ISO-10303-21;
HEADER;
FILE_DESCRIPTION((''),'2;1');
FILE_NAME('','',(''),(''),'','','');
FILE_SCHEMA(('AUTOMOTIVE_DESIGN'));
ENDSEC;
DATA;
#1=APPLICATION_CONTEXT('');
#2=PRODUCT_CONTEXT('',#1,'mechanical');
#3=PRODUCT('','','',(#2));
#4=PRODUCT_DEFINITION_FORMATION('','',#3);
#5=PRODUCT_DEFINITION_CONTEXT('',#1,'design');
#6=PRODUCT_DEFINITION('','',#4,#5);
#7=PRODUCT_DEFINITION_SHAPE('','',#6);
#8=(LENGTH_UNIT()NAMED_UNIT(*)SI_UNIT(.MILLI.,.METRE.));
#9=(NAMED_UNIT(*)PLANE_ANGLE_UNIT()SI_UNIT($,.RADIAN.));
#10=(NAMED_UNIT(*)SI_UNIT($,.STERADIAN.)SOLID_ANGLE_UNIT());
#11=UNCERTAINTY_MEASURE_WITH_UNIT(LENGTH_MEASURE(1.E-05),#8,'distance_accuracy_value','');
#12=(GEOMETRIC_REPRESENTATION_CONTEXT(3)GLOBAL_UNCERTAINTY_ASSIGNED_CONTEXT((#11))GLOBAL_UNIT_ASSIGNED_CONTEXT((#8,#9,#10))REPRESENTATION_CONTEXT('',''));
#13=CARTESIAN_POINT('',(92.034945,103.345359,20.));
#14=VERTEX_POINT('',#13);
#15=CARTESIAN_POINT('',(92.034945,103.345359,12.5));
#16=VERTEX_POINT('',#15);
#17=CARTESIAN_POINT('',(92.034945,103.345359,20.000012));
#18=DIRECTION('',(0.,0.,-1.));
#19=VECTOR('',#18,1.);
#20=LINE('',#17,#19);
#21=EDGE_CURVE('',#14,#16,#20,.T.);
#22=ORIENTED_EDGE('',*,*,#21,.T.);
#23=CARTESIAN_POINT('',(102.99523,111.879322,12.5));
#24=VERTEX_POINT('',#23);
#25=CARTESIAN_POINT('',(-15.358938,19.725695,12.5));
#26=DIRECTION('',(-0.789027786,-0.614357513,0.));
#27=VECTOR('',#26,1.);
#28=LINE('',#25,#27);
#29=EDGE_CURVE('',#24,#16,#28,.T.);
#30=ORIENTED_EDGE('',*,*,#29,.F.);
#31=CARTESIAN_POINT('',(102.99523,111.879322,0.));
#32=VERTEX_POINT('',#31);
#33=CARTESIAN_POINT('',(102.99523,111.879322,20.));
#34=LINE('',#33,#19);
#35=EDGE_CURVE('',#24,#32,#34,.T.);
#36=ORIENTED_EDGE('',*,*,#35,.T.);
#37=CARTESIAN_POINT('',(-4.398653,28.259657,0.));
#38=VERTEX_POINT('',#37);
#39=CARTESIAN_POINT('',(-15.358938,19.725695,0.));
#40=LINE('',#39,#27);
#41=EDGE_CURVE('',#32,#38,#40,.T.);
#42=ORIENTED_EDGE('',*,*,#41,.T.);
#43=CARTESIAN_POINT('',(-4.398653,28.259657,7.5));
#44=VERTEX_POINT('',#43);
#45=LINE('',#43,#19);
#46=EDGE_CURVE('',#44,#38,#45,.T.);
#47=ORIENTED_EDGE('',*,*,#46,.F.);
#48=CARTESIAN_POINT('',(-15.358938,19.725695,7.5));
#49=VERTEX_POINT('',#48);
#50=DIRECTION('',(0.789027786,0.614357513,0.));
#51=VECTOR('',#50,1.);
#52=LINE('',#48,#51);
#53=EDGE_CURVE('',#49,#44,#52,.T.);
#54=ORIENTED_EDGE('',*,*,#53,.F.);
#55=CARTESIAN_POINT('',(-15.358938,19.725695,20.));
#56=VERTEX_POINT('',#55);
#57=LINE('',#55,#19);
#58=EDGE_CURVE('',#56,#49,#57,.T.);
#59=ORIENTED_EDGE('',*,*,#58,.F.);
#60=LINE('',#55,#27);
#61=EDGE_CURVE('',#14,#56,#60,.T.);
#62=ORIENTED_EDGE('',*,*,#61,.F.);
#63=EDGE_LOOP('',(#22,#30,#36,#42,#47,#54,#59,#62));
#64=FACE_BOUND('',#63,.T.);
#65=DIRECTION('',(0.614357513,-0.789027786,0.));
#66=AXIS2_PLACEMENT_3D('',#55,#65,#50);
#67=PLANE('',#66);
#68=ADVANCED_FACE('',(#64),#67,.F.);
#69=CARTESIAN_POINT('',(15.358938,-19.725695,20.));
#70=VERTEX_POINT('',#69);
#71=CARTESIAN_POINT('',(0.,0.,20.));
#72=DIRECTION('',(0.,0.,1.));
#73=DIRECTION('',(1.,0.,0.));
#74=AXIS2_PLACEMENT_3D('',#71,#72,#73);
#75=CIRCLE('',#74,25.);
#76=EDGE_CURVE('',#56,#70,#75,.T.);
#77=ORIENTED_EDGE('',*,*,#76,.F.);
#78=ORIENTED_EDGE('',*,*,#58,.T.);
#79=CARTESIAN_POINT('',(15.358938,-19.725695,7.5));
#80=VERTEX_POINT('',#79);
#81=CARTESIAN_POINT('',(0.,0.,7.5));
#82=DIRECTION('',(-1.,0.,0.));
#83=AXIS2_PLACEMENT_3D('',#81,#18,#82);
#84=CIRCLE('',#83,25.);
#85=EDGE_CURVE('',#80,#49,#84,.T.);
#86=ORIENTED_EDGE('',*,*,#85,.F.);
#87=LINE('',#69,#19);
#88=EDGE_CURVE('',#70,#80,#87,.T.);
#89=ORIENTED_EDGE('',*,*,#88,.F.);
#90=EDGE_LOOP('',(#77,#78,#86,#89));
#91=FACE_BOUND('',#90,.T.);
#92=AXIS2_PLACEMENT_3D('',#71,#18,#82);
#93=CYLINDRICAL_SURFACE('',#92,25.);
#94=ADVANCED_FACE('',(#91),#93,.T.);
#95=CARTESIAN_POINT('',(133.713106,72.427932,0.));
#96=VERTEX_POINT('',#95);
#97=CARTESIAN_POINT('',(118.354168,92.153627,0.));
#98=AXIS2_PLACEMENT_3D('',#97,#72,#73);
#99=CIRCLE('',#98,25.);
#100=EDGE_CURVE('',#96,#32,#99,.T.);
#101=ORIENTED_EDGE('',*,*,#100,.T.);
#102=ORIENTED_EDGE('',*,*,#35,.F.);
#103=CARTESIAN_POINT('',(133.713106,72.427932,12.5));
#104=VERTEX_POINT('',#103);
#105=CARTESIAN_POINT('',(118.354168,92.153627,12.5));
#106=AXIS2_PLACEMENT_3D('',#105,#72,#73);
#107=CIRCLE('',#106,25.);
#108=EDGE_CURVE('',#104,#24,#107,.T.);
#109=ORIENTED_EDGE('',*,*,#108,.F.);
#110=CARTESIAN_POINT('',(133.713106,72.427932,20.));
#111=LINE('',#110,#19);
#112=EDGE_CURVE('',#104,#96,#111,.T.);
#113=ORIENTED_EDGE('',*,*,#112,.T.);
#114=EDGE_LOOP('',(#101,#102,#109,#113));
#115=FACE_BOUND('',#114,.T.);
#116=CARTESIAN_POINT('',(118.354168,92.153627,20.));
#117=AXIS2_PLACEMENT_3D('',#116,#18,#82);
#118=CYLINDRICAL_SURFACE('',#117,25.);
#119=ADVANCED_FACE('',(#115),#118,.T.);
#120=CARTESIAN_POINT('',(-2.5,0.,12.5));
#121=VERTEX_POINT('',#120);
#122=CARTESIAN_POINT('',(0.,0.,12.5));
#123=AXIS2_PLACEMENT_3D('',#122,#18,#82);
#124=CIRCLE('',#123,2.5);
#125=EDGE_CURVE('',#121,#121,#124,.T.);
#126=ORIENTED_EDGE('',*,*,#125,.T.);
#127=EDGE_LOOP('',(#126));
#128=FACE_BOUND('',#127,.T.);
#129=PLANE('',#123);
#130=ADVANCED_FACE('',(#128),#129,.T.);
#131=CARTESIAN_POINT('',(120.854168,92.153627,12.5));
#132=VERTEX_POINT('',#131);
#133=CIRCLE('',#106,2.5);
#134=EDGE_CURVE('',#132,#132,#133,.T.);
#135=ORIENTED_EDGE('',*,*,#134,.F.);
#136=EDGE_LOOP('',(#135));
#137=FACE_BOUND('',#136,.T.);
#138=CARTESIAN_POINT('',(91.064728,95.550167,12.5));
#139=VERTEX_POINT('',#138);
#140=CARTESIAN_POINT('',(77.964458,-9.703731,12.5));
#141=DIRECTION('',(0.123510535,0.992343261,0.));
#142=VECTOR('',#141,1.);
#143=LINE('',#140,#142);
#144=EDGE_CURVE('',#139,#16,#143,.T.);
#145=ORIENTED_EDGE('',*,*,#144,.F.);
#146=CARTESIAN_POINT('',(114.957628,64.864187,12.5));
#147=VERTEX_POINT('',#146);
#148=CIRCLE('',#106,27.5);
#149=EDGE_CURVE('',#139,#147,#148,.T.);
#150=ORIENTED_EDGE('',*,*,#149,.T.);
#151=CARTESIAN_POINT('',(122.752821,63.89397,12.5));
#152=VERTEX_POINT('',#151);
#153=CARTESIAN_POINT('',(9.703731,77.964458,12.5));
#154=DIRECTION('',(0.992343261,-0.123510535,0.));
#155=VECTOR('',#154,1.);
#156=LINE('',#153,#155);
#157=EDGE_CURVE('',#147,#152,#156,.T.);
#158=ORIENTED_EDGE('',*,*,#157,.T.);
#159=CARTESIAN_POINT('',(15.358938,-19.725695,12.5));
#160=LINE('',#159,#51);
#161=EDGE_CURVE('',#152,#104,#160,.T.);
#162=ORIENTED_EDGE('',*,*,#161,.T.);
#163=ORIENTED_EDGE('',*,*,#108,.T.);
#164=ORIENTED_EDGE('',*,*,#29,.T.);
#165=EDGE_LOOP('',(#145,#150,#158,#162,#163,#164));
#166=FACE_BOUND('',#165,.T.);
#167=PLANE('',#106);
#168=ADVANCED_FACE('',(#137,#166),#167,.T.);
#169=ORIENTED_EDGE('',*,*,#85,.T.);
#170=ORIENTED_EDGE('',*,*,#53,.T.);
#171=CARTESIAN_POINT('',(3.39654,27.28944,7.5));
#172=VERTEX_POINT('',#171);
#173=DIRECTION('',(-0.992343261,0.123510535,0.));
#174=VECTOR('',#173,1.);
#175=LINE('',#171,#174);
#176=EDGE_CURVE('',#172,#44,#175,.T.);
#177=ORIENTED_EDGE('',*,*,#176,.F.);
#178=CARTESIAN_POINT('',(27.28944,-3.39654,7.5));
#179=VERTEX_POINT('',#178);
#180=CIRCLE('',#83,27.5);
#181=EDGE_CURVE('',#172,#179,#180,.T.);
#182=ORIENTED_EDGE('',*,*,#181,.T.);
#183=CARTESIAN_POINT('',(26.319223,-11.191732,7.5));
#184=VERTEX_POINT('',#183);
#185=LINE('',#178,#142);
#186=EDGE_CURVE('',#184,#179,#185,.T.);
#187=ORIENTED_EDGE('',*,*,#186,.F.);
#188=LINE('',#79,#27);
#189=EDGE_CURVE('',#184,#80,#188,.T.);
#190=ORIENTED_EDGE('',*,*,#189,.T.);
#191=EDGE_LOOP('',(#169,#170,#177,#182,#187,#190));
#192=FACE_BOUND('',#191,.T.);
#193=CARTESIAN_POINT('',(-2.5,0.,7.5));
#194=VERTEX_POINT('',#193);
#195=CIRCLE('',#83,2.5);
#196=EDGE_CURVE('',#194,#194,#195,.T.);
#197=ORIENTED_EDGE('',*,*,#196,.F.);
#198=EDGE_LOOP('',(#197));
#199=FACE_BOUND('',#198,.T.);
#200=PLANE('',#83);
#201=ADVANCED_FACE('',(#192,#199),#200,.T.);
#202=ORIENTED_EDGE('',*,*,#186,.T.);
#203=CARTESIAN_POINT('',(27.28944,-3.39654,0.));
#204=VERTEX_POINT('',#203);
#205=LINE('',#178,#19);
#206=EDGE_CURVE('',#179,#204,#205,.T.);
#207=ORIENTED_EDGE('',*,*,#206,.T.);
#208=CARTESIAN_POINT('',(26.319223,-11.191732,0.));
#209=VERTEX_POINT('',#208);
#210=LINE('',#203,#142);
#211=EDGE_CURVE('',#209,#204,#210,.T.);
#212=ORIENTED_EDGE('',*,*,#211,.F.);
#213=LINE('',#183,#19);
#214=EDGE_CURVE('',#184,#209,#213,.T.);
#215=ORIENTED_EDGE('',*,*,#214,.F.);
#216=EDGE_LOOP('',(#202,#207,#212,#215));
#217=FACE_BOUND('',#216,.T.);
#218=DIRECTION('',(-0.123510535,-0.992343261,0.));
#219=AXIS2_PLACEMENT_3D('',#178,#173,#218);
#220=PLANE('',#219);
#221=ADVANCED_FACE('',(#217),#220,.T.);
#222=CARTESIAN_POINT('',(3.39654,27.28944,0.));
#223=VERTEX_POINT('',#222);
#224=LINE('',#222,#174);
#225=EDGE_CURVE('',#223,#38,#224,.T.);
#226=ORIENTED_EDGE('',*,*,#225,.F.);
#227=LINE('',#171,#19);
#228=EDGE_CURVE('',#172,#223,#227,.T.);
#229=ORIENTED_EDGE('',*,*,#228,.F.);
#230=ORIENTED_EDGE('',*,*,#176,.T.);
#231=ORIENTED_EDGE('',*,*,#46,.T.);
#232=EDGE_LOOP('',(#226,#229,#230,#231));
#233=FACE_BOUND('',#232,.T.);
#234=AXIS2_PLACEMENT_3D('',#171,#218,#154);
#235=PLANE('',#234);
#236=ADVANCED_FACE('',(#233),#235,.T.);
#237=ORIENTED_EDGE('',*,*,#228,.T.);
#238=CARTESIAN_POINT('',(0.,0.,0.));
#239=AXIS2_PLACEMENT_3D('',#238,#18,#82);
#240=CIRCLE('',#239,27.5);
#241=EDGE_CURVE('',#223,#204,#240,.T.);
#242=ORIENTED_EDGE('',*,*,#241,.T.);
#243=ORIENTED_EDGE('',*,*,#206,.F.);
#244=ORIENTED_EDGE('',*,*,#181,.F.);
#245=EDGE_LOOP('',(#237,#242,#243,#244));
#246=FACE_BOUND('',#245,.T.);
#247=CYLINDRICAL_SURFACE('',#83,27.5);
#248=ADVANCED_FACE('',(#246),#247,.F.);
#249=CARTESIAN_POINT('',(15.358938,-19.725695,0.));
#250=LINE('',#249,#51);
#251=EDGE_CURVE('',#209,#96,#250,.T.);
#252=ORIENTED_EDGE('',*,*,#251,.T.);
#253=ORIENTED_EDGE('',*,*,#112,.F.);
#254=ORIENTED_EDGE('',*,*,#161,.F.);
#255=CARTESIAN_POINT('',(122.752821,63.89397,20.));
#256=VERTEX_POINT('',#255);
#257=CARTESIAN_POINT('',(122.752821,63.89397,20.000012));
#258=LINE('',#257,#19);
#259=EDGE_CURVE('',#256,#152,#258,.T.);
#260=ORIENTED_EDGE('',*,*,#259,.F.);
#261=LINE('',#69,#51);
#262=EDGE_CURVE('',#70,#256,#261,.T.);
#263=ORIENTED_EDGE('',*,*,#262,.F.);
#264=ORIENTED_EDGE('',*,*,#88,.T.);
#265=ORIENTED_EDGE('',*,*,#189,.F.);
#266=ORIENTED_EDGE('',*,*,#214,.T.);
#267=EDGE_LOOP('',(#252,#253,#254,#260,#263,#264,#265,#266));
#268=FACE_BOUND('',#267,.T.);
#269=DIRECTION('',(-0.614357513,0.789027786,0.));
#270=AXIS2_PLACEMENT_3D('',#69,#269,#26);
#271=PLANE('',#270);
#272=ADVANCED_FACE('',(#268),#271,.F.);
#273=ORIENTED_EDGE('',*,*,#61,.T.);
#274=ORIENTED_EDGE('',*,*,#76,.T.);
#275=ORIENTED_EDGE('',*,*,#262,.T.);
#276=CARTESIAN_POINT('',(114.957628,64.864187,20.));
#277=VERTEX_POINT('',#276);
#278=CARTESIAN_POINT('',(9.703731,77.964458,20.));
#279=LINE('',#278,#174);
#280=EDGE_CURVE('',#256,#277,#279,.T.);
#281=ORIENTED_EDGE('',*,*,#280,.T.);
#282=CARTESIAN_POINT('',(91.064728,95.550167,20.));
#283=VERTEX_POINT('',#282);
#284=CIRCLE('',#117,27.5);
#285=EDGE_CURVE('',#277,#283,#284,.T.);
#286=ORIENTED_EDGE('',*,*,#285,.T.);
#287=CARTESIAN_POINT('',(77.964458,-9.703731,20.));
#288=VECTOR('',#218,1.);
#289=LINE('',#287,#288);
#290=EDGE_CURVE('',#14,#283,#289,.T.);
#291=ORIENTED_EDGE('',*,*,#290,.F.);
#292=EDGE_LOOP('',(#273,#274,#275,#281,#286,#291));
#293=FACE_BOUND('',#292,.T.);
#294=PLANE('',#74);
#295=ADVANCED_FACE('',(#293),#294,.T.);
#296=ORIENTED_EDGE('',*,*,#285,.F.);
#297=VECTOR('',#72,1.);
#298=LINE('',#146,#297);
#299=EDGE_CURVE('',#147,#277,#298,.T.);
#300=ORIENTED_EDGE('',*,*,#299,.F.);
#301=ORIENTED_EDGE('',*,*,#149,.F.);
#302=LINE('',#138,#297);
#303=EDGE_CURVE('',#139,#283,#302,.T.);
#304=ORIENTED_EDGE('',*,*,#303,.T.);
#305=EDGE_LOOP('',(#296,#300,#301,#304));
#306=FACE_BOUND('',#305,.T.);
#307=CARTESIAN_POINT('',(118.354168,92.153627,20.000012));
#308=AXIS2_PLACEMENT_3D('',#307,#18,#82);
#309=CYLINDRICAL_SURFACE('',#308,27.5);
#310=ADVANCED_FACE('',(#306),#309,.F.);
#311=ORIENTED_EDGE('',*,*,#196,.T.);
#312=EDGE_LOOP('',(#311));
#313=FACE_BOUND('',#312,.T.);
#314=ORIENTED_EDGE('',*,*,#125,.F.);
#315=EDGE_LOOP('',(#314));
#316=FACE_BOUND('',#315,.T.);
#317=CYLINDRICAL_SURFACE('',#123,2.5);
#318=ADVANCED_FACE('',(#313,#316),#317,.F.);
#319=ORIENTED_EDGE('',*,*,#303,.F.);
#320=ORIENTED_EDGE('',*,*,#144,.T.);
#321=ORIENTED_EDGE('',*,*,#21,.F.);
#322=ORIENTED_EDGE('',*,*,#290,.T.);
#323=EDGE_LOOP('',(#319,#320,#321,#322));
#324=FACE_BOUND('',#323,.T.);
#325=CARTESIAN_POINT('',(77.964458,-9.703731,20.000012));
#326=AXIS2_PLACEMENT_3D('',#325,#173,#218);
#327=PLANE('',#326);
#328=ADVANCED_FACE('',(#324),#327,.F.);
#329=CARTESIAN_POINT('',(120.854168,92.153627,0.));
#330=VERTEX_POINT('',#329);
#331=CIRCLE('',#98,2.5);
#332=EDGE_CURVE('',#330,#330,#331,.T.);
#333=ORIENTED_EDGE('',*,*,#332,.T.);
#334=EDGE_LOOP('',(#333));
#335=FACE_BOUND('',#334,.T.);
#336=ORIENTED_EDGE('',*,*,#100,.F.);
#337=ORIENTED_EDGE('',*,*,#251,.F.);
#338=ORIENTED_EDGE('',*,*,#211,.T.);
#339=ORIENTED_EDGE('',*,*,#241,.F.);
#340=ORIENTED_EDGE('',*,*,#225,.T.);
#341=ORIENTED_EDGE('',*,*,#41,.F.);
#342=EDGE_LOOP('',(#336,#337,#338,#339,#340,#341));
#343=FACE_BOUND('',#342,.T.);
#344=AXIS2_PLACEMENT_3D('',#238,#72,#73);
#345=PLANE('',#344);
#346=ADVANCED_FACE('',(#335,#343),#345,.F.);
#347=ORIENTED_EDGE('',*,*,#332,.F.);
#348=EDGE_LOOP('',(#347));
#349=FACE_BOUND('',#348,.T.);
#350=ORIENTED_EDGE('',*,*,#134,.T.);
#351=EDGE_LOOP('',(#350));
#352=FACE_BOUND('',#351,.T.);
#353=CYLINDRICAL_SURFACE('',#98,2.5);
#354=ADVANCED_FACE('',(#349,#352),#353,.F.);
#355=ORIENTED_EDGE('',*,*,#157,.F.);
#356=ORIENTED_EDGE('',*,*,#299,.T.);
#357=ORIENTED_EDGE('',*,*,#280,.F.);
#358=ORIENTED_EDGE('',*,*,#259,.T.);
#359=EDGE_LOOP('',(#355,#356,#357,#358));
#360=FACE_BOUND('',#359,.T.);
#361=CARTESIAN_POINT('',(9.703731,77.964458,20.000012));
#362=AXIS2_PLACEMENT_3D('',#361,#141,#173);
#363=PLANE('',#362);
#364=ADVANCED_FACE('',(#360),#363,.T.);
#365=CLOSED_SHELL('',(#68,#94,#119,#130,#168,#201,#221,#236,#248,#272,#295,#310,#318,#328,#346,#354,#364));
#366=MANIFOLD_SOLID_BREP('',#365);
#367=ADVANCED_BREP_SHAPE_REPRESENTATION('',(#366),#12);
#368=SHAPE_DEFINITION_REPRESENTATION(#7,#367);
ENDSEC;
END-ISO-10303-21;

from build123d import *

# Parameters (mm, degrees)
BOSS_EXTRUDE1_DEPTH     = 20
CUT_EXTRUDE1_DEPTH      = 7.5
SKETCH3_R               = 2.5
CUT_EXTRUDE2_DEPTH      = 5
CUT_EXTRUDE3_START      = -7.5
SKETCH4_R               = 25
CUT_EXTRUDE3_DEPTH      = 7.5
CUT_EXTRUDE4_DEPTH      = 7.5
CUT_EXTRUDE5_DEPTH      = 187.21329098
CUT_EXTRUDE5_DEPTH_BACK = 7.5
SKETCH7_R               = 2.5
CUT_EXTRUDE6_DEPTH      = 186.557645323


with BuildPart() as part:
    # Sketch1 → Boss-Extrude1 (new body)
    with BuildSketch(Plane.XY):
        with BuildLine():
            Line((-15.358937815, 19.725694644), (102.995230052, 111.879321533))
            ThreePointArc((102.995230052, 111.879321533), (138.079862511, 107.512564703), (133.713105681, 72.427932244))
            Line((133.713105681, 72.427932244), (15.358937815, -19.725694644))
            ThreePointArc((15.358937815, -19.725694644), (-19.725694644, -15.358937815), (-15.358937815, 19.725694644))
        make_face()
    extrude(amount=BOSS_EXTRUDE1_DEPTH)

    # Sketch2 → Cut-Extrude1 (cut)
    with BuildSketch(Plane(origin=(0, 0, 0), x_dir=(-1, 0, 0), z_dir=(0, 0, -1))):
        with BuildLine():
            ThreePointArc((15.358937815, 19.725694644), (-19.725694644, 15.358937815), (-15.358937815, -19.725694644))
            ThreePointArc((-15.358937815, -19.725694644), (10.977853949, -22.460781881), (25, 0))
            ThreePointArc((25, 0), (22.460781881, 10.977853949), (15.358937815, 19.725694644))
        make_face()
    extrude(amount=-CUT_EXTRUDE1_DEPTH, mode=Mode.SUBTRACT)

    # Sketch3 → Cut-Extrude2 (cut)
    with BuildSketch(Plane(origin=(0, 0, 7.5), x_dir=(-1, 0, 0), z_dir=(0, 0, -1))):
        Circle(SKETCH3_R)
    extrude(amount=-CUT_EXTRUDE2_DEPTH, mode=Mode.SUBTRACT)

    # Sketch4 → Cut-Extrude3 (cut)
    with BuildSketch(Plane.XY.offset(20).offset(CUT_EXTRUDE3_START)):
        with Locations((118.354167866, 92.153626888)):
            Circle(SKETCH4_R)
    extrude(amount=CUT_EXTRUDE3_DEPTH, mode=Mode.SUBTRACT)

    # Sketch5 → Cut-Extrude4 (cut)
    with BuildSketch(Plane(origin=(0, 0, 0), x_dir=(-1, 0, 0), z_dir=(0, 0, -1))):
        with BuildLine():
            ThreePointArc((-3.396539703, 27.28943968), (-13.581209957, 23.912355302), (-21.698264109, 16.894831596))
            Line((-21.698264109, 16.894831596), (-19.725694644, 15.358937815))
            ThreePointArc((-19.725694644, 15.358937815), (-3.087763366, 24.808581527), (15.358937815, 19.725694644))
            Line((15.358937815, 19.725694644), (4.398653076, 28.259656807))
            Line((4.398653076, 28.259656807), (-3.396539703, 27.28943968))
        make_face()
        with BuildLine():
            Line((-27.28943968, -3.396539703), (-26.319222553, -11.191732482))
            Line((-26.319222553, -11.191732482), (-15.358937815, -19.725694644))
            ThreePointArc((-15.358937815, -19.725694644), (-24.808581527, -3.087763366), (-19.725694644, 15.358937815))
            Line((-19.725694644, 15.358937815), (-21.698264109, 16.894831596))
            ThreePointArc((-21.698264109, 16.894831596), (-26.511954246, 7.305222931), (-27.28943968, -3.396539703))
        make_face()
    extrude(amount=-CUT_EXTRUDE4_DEPTH, mode=Mode.SUBTRACT)

    # Sketch6 → Cut-Extrude5 (cut, two sides: drawn at the far end of the back side and taken through both)
    with BuildSketch(Plane.XY.offset(20).offset(-CUT_EXTRUDE5_DEPTH_BACK)):
        with BuildLine():
            Line((98.628473222, 76.794689074), (96.655903758, 75.258795292))
            ThreePointArc((96.655903758, 75.258795292), (104.77295791, 68.241271586), (114.957628164, 64.864187208))
            Line((114.957628164, 64.864187208), (122.752820943, 63.893970081))
            Line((122.752820943, 63.893970081), (133.713105681, 72.427932244))
            ThreePointArc((133.713105681, 72.427932244), (115.2664045, 67.345045361), (98.628473222, 76.794689074))
        make_face()
        with BuildLine():
            ThreePointArc((91.064728186, 95.550166591), (91.842213621, 84.848403957), (96.655903758, 75.258795292))
            Line((96.655903758, 75.258795292), (98.628473222, 76.794689074))
            ThreePointArc((98.628473222, 76.794689074), (93.545586339, 95.241390254), (102.995230052, 111.879321533))
            Line((102.995230052, 111.879321533), (92.034945313, 103.34535937))
            Line((92.034945313, 103.34535937), (91.064728186, 95.550166591))
        make_face()
    extrude(amount=CUT_EXTRUDE5_DEPTH + CUT_EXTRUDE5_DEPTH_BACK, mode=Mode.SUBTRACT)

    # Sketch7 → Cut-Extrude6 (cut, through all)
    with BuildSketch(Plane.XY.offset(12.5)):
        with Locations((118.354167866, 92.153626888)):
            Circle(SKETCH7_R)
    extrude(amount=-CUT_EXTRUDE6_DEPTH, mode=Mode.SUBTRACT)


solid = part.part
